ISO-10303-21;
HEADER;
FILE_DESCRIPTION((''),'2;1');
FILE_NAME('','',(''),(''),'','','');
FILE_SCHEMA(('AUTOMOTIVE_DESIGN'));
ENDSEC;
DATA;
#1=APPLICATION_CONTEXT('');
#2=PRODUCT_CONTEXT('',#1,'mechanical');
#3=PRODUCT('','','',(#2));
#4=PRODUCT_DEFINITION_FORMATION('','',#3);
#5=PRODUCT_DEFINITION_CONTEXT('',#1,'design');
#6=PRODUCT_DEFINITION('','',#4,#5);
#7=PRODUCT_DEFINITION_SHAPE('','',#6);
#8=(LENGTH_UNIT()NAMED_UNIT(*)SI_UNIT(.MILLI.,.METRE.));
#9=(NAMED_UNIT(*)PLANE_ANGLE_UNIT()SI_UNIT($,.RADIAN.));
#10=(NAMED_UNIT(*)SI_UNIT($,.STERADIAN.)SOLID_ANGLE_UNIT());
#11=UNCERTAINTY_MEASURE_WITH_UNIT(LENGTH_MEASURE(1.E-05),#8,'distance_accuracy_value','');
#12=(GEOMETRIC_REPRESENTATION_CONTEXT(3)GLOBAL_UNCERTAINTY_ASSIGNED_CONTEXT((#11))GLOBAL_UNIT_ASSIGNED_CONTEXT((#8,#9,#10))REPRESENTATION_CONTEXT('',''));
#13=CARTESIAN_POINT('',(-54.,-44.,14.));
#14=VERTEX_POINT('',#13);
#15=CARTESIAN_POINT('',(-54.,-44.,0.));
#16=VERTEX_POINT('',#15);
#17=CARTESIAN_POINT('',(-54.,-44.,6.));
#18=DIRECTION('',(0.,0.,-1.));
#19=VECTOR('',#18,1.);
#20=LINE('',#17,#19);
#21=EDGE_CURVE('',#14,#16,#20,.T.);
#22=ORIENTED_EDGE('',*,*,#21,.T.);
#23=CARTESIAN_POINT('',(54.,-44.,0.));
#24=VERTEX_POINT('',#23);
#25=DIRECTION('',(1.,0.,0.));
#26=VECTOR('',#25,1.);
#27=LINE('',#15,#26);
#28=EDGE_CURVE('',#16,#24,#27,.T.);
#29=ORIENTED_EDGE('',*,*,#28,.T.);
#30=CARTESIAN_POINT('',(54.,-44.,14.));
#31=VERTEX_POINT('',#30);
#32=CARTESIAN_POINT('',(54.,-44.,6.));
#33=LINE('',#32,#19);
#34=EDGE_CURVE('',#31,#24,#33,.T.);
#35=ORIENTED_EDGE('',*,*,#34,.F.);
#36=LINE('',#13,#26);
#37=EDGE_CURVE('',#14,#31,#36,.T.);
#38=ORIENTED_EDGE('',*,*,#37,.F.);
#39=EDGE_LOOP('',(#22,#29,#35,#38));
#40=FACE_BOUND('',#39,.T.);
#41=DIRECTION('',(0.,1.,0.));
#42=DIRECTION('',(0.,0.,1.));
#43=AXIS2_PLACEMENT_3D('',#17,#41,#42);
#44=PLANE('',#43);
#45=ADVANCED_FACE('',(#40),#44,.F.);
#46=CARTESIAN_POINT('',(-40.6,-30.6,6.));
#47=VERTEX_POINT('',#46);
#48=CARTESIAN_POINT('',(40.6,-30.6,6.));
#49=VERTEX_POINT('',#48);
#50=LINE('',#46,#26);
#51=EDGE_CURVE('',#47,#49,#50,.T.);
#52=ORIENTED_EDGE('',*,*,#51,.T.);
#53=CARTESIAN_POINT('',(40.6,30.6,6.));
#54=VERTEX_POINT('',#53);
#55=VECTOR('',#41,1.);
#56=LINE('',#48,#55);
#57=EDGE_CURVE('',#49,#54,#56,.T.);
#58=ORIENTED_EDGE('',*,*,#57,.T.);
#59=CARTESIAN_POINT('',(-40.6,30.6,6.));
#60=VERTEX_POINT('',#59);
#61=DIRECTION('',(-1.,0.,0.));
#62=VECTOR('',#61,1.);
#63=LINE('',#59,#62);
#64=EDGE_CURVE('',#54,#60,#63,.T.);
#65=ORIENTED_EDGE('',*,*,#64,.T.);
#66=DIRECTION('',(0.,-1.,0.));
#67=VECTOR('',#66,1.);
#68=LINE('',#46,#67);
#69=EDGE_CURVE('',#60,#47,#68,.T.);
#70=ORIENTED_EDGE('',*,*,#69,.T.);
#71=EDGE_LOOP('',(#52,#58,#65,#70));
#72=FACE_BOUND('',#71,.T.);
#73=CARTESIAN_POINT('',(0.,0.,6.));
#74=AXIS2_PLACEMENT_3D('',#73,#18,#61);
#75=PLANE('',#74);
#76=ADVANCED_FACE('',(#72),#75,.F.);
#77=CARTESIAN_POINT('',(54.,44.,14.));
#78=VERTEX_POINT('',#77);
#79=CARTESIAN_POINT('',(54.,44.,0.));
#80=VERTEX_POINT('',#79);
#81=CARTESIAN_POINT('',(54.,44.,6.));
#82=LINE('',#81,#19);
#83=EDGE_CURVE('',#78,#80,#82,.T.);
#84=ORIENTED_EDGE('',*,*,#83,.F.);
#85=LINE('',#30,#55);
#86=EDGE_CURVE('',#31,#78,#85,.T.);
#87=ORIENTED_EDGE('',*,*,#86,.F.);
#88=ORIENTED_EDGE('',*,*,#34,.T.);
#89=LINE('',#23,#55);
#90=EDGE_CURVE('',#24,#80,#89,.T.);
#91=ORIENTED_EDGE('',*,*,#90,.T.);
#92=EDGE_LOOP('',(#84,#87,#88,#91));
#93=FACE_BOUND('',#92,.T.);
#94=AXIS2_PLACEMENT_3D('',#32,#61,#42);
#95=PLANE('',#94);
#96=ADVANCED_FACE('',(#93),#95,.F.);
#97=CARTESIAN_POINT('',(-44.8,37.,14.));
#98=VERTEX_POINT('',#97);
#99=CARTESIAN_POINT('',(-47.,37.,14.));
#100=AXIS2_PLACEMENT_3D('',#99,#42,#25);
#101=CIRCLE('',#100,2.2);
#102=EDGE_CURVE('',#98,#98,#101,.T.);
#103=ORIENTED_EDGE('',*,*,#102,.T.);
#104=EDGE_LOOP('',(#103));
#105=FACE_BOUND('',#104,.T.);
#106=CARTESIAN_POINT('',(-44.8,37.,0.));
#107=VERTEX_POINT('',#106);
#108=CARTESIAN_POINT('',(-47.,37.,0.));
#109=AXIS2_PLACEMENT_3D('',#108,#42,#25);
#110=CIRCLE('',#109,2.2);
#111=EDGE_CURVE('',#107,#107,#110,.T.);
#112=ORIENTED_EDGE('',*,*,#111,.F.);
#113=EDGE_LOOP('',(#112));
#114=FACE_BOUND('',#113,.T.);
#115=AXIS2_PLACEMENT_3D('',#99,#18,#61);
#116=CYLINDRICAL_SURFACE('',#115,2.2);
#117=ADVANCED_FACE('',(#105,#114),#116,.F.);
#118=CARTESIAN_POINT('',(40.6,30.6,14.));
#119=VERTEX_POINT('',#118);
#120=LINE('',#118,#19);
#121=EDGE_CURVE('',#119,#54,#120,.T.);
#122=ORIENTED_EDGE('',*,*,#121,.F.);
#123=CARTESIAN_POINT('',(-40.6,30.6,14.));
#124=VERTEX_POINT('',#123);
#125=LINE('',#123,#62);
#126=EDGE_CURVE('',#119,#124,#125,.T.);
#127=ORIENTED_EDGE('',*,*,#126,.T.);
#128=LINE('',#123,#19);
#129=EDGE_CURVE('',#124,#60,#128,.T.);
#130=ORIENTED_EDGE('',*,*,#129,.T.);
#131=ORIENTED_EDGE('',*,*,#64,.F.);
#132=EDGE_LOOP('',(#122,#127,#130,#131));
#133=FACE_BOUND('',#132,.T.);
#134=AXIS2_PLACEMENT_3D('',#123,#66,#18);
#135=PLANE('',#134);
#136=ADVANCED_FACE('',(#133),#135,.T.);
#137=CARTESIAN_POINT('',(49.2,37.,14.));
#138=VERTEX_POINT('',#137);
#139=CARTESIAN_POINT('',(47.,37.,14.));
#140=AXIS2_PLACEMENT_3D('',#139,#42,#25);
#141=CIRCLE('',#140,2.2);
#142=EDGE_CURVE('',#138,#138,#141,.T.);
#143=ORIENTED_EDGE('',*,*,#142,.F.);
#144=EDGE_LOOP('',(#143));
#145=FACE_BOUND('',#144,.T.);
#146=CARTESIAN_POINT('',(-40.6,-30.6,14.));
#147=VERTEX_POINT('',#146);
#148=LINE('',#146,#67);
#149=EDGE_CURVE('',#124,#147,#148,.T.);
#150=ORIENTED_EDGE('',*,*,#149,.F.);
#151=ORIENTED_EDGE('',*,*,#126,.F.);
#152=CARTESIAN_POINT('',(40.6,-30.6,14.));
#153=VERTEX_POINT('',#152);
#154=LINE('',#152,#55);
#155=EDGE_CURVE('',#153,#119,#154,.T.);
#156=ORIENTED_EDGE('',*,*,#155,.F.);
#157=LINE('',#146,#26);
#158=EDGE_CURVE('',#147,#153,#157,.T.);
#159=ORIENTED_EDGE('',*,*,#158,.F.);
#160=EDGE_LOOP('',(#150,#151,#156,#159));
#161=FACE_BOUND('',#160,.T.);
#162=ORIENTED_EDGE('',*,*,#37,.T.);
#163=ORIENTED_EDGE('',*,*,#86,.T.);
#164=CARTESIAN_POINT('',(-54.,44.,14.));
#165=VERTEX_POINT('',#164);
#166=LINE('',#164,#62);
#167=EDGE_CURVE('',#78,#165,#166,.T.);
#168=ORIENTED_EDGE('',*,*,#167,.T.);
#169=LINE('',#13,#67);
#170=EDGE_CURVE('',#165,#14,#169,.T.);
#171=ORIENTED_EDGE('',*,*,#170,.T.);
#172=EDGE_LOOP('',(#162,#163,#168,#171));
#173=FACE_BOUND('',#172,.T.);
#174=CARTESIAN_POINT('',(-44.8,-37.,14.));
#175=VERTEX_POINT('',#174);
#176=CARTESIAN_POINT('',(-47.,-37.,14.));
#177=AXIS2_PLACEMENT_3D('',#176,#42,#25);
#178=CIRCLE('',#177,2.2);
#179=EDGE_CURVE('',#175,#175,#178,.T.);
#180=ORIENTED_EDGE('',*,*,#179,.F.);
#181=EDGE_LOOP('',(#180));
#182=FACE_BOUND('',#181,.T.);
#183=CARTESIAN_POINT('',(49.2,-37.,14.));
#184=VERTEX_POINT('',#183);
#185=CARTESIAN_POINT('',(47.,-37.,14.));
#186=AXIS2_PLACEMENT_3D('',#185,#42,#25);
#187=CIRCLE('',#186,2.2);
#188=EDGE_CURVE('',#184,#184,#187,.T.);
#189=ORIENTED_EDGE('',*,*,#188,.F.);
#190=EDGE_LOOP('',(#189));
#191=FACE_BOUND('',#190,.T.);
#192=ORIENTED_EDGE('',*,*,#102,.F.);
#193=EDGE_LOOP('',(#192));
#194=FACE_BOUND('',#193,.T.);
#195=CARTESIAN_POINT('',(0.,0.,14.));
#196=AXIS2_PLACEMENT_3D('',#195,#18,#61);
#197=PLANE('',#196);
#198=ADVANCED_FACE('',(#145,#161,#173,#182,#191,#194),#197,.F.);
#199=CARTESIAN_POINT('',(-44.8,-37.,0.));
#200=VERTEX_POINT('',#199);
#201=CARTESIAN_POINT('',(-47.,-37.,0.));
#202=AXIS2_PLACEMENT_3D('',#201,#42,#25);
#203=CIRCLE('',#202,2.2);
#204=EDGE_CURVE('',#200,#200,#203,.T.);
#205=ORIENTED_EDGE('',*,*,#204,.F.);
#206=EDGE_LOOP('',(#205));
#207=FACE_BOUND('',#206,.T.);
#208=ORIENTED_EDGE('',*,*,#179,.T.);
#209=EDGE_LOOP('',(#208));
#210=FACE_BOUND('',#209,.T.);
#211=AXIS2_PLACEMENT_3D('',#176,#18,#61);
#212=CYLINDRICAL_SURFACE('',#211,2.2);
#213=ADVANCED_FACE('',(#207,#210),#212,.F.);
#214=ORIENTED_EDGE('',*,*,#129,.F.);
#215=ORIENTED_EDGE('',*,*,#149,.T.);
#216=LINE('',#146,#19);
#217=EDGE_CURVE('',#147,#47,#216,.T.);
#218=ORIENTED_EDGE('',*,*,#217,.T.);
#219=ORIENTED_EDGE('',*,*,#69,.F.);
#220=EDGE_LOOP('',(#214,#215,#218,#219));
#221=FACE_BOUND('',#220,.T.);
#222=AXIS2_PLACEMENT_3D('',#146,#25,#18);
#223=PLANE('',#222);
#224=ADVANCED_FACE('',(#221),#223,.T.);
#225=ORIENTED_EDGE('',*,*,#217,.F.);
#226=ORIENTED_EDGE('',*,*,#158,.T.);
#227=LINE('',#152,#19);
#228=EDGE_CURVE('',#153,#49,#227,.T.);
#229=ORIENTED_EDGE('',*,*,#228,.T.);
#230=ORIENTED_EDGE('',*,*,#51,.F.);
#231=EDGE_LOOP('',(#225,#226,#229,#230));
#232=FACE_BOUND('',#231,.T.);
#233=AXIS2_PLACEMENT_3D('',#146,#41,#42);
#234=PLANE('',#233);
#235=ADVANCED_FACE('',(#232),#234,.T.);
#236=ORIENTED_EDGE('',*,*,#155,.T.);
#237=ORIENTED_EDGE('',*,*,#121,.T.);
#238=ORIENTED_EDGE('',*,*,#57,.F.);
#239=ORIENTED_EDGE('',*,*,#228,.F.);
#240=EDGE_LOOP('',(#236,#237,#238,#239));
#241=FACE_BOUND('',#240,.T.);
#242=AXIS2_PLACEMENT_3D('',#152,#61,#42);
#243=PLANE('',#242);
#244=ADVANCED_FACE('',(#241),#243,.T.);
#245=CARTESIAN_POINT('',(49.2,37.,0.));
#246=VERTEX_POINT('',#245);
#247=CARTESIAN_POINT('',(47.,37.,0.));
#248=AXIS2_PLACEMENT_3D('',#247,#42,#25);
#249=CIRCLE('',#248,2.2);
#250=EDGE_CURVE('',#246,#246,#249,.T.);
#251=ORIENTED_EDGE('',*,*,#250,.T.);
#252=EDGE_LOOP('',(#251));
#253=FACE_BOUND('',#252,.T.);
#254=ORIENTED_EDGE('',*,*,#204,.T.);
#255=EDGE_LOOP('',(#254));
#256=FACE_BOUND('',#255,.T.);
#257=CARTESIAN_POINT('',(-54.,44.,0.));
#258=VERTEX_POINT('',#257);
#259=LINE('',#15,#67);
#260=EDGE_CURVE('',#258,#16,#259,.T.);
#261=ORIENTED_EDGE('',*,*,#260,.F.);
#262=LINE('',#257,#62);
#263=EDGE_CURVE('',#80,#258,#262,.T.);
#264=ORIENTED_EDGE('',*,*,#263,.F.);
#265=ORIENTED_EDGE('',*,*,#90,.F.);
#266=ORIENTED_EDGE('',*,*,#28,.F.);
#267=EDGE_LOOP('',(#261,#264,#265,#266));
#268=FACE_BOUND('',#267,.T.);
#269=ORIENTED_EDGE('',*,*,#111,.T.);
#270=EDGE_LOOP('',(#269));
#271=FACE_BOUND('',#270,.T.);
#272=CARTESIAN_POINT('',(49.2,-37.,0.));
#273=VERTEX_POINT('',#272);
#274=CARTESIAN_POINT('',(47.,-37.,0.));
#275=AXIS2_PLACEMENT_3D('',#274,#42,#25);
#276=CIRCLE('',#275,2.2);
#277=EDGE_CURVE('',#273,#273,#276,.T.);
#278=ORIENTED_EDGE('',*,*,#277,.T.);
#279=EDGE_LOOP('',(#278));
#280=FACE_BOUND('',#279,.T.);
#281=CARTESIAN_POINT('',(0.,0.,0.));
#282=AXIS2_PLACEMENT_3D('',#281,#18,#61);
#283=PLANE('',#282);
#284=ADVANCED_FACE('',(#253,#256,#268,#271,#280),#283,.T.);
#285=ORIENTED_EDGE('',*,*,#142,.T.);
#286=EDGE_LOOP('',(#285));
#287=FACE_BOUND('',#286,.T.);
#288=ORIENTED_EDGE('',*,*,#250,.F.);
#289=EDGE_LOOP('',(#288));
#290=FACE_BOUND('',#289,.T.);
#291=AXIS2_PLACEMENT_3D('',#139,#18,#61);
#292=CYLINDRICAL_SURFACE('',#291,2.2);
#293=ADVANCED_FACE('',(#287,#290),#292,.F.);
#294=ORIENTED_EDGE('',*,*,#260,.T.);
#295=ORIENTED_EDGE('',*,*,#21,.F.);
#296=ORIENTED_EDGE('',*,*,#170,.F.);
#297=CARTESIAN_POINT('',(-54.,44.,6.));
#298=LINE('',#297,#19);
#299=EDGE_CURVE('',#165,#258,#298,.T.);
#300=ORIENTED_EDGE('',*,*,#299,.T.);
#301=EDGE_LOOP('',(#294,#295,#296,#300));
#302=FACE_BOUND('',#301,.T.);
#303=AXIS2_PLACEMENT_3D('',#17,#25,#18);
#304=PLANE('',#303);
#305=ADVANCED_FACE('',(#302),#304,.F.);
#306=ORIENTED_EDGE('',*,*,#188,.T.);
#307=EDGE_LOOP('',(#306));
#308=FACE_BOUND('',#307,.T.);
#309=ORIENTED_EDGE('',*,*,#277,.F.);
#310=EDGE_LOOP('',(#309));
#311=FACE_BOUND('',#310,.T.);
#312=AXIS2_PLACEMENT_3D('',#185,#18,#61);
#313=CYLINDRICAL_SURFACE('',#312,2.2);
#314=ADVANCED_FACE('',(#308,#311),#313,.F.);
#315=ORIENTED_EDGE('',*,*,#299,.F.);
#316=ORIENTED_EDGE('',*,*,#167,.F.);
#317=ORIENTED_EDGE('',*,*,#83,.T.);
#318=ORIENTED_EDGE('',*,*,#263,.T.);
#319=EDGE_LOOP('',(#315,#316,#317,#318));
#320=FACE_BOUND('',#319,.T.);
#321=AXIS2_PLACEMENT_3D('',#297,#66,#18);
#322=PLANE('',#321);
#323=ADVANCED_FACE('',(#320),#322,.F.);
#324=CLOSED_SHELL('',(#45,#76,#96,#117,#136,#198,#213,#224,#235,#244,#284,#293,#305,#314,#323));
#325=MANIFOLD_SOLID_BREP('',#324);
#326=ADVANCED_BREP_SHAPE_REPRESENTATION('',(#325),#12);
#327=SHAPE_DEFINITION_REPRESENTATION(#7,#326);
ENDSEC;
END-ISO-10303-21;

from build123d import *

# Parameters (mm, degrees)
SKETCH2_W                   = 108
SKETCH2_H                   = 88
FIXTURE_FLOOR_DEPTH         = 6
ENCLOSURE_NEST_START        = 6
SKETCH3_W                   = 108
SKETCH3_H                   = 88
SKETCH3_W_2                 = 81.2
SKETCH3_H_2                 = 61.2
ENCLOSURE_NEST_DEPTH        = 8
SKETCH4_R                   = 2.2
BENCH_MOUNT_CLEARANCE_DEPTH = 14
SKETCH5_R                   = 2.2
CUT_EXTRUDE2_DEPTH          = 14
SKETCH6_R                   = 2.2
CUT_EXTRUDE3_DEPTH          = 14
SKETCH7_R                   = 2.2
CUT_EXTRUDE4_DEPTH          = 14


with BuildPart() as part:
    # Sketch2 → Fixture_floor (new body)
    with BuildSketch(Plane.XY):
        Rectangle(SKETCH2_W, SKETCH2_H)
    extrude(amount=FIXTURE_FLOOR_DEPTH)

    # Sketch3 → Enclosure_nest (add)
    with BuildSketch(Plane.XY.offset(ENCLOSURE_NEST_START)):
        Rectangle(SKETCH3_W, SKETCH3_H)
        Rectangle(SKETCH3_W_2, SKETCH3_H_2, mode=Mode.SUBTRACT)
    extrude(amount=ENCLOSURE_NEST_DEPTH)

    # Sketch4 → Bench_mount_clearance (cut)
    with BuildSketch(Plane.XY):
        with Locations((-47, -37)):
            Circle(SKETCH4_R)
    extrude(amount=BENCH_MOUNT_CLEARANCE_DEPTH, mode=Mode.SUBTRACT)

    # Sketch5 → Cut-Extrude2 (cut)
    with BuildSketch(Plane.XY):
        with Locations((-47, 37)):
            Circle(SKETCH5_R)
    extrude(amount=CUT_EXTRUDE2_DEPTH, mode=Mode.SUBTRACT)

    # Sketch6 → Cut-Extrude3 (cut)
    with BuildSketch(Plane.XY):
        with Locations((47, -37)):
            Circle(SKETCH6_R)
    extrude(amount=CUT_EXTRUDE3_DEPTH, mode=Mode.SUBTRACT)

    # Sketch7 → Cut-Extrude4 (cut)
    with BuildSketch(Plane.XY):
        with Locations((47, 37)):
            Circle(SKETCH7_R)
    extrude(amount=CUT_EXTRUDE4_DEPTH, mode=Mode.SUBTRACT)


solid = part.part
